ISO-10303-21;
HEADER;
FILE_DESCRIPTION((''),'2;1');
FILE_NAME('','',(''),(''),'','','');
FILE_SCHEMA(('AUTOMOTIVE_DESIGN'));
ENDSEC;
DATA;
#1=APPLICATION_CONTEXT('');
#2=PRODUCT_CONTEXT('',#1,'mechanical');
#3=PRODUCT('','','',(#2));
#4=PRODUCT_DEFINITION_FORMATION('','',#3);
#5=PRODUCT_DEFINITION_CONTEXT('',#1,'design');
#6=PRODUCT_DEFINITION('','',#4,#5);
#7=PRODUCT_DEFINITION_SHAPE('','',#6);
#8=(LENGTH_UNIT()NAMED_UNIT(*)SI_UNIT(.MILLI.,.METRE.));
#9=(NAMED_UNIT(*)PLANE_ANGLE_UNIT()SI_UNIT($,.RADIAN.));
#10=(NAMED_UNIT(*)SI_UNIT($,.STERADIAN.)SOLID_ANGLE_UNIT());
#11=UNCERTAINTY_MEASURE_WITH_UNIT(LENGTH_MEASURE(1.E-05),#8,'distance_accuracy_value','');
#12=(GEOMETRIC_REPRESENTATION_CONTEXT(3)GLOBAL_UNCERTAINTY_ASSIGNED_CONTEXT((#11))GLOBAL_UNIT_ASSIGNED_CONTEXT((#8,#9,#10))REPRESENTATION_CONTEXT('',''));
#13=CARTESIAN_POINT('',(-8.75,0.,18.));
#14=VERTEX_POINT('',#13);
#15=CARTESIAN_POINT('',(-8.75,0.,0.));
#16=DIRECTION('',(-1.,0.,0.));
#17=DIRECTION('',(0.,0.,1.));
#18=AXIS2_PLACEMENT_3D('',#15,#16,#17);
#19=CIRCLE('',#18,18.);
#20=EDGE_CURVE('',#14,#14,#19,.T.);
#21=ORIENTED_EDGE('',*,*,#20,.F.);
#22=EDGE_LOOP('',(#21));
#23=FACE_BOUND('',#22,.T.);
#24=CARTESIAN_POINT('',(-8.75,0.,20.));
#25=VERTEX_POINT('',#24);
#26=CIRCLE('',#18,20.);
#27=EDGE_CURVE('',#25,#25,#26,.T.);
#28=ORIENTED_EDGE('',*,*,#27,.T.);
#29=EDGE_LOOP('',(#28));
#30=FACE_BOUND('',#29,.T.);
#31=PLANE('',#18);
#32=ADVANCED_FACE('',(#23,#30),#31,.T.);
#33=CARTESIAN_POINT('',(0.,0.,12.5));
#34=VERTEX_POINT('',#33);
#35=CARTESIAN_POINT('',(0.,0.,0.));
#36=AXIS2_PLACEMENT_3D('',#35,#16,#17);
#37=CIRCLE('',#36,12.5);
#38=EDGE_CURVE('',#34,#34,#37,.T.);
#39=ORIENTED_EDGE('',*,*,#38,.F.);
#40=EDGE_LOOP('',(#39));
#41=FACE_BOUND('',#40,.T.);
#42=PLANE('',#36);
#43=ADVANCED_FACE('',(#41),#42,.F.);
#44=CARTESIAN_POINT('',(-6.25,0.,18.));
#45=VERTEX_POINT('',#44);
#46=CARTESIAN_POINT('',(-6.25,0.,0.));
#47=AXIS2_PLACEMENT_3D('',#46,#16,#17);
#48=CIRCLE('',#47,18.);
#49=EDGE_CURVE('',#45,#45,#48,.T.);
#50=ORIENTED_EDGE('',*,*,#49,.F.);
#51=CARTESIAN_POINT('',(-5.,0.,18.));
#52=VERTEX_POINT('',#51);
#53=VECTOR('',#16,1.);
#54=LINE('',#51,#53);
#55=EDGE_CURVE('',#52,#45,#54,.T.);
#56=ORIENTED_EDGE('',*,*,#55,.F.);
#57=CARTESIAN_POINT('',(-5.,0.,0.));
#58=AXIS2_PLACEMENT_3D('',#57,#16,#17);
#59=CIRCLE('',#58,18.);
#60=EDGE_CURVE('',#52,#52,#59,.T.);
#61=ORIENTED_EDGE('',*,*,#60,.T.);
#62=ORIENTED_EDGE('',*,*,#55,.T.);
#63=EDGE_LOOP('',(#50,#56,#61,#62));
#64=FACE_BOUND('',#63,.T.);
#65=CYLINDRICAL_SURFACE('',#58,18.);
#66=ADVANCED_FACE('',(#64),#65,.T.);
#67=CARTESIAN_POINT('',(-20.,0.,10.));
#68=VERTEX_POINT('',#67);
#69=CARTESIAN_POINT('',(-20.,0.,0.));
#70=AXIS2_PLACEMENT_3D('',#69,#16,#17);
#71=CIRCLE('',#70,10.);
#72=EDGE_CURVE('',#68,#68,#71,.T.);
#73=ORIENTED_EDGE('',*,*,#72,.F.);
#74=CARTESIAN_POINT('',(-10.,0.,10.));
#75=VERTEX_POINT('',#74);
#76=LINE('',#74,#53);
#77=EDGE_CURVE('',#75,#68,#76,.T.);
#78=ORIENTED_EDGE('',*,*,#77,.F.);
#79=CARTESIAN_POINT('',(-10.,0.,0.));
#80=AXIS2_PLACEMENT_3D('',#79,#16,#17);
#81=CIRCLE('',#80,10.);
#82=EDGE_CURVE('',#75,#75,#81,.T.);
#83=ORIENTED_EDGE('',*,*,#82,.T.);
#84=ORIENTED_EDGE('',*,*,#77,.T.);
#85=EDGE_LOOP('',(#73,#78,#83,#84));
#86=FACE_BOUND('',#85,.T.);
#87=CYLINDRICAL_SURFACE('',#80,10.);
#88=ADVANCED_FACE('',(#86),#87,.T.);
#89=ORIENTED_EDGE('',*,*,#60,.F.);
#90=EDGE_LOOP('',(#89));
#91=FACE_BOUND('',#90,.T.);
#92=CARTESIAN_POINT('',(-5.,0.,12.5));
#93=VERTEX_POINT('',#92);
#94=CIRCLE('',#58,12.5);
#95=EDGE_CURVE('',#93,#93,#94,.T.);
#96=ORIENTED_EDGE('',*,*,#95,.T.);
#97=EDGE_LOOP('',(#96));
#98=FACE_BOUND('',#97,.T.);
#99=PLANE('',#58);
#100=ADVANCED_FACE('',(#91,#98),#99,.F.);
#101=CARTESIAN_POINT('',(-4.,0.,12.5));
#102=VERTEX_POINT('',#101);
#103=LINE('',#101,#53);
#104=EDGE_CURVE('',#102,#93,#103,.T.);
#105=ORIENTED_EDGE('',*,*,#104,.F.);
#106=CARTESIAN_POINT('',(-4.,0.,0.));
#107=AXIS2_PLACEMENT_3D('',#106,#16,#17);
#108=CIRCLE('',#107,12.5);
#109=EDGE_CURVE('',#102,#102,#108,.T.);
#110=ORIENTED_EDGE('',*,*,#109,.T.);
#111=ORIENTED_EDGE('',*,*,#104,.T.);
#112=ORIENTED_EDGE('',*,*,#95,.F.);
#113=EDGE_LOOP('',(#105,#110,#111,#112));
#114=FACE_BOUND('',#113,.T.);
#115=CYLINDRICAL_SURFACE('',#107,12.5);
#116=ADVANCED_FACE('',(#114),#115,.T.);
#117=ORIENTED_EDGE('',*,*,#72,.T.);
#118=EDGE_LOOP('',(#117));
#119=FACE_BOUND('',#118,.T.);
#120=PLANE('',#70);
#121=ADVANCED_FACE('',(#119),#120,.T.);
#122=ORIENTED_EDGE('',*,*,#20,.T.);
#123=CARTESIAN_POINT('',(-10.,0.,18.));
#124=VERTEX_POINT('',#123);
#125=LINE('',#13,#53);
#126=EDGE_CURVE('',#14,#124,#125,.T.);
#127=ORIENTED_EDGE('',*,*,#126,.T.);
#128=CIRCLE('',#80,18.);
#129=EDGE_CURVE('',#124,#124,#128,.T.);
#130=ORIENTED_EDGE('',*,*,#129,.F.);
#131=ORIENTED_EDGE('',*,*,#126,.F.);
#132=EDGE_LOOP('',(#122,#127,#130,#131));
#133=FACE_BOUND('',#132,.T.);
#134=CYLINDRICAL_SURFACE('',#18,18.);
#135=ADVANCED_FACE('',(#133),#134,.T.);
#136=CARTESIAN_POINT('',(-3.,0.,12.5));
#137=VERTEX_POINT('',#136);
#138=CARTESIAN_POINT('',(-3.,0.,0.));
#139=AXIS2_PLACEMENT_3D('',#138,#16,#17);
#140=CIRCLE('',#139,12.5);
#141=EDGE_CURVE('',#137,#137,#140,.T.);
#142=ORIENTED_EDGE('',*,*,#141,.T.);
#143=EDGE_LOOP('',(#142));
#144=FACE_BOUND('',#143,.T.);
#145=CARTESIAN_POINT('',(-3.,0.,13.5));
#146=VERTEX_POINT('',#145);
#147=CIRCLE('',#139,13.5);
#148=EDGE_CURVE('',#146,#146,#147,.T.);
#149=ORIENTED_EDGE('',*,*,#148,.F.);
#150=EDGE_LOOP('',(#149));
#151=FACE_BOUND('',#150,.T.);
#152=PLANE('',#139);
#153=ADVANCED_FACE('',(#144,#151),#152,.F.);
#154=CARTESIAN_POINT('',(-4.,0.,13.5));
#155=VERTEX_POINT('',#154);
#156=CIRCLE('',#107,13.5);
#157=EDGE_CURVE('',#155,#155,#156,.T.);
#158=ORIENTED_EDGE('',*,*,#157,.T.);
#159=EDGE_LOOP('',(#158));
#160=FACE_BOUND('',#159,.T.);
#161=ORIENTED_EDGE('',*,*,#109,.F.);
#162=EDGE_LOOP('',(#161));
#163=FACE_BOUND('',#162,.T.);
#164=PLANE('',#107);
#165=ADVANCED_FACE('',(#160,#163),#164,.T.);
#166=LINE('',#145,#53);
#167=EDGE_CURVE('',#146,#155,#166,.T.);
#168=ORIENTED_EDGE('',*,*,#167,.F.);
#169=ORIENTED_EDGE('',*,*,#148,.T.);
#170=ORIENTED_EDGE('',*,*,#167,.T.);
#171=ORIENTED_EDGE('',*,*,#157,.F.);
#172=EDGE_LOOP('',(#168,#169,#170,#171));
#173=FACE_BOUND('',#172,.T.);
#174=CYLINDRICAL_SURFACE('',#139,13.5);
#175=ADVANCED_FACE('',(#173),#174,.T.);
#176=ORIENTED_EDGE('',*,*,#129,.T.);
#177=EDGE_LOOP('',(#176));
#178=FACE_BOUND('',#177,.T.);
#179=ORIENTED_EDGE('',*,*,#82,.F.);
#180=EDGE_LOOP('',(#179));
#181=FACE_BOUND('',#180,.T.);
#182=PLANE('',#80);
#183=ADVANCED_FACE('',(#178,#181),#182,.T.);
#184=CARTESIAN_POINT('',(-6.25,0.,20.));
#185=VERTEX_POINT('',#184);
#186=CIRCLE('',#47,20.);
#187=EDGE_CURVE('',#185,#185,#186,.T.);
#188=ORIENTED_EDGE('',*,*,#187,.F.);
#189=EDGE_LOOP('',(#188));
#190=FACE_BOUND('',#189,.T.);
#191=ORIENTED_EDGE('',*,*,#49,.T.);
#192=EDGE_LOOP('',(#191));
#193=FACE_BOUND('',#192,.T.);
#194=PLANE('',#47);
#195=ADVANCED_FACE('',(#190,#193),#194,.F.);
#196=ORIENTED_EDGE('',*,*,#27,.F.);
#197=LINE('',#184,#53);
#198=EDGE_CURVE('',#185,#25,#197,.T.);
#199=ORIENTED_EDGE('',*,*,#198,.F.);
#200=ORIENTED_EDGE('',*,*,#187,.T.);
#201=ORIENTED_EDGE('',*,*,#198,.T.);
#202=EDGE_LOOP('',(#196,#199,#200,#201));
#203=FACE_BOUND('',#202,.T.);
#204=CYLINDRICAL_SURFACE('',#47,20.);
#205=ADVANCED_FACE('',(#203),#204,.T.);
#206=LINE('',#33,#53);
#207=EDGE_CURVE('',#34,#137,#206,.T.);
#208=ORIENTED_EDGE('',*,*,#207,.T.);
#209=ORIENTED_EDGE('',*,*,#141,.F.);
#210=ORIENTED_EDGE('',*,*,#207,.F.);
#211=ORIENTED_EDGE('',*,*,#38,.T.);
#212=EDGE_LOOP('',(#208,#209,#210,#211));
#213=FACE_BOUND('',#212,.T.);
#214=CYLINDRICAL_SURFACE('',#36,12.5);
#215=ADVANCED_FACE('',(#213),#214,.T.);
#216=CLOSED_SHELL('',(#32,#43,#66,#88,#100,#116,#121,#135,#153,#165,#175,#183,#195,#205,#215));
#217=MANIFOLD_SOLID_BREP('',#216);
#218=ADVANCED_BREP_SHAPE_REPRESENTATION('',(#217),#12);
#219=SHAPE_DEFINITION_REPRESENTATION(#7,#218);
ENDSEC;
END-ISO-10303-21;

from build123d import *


with BuildPart() as f1:
    # F0 (on Front) → F1 (revolve)
    with BuildSketch(Plane.XZ):
        Polygon((-20, 0), (0, 0), (0, 12.5), (-3, 12.5), (-3, 13.5), (-4, 13.5), (-4, 12.5), (-5, 12.5), (-5, 18), (-6.25, 18), (-6.25, 20), (-8.75, 20), (-8.75, 18), (-10, 18), (-10, 10), (-20, 10), align=None)
    revolve(axis=Axis((-10, 0, 0), (-1, 0, 0)))


solid = f1.part
